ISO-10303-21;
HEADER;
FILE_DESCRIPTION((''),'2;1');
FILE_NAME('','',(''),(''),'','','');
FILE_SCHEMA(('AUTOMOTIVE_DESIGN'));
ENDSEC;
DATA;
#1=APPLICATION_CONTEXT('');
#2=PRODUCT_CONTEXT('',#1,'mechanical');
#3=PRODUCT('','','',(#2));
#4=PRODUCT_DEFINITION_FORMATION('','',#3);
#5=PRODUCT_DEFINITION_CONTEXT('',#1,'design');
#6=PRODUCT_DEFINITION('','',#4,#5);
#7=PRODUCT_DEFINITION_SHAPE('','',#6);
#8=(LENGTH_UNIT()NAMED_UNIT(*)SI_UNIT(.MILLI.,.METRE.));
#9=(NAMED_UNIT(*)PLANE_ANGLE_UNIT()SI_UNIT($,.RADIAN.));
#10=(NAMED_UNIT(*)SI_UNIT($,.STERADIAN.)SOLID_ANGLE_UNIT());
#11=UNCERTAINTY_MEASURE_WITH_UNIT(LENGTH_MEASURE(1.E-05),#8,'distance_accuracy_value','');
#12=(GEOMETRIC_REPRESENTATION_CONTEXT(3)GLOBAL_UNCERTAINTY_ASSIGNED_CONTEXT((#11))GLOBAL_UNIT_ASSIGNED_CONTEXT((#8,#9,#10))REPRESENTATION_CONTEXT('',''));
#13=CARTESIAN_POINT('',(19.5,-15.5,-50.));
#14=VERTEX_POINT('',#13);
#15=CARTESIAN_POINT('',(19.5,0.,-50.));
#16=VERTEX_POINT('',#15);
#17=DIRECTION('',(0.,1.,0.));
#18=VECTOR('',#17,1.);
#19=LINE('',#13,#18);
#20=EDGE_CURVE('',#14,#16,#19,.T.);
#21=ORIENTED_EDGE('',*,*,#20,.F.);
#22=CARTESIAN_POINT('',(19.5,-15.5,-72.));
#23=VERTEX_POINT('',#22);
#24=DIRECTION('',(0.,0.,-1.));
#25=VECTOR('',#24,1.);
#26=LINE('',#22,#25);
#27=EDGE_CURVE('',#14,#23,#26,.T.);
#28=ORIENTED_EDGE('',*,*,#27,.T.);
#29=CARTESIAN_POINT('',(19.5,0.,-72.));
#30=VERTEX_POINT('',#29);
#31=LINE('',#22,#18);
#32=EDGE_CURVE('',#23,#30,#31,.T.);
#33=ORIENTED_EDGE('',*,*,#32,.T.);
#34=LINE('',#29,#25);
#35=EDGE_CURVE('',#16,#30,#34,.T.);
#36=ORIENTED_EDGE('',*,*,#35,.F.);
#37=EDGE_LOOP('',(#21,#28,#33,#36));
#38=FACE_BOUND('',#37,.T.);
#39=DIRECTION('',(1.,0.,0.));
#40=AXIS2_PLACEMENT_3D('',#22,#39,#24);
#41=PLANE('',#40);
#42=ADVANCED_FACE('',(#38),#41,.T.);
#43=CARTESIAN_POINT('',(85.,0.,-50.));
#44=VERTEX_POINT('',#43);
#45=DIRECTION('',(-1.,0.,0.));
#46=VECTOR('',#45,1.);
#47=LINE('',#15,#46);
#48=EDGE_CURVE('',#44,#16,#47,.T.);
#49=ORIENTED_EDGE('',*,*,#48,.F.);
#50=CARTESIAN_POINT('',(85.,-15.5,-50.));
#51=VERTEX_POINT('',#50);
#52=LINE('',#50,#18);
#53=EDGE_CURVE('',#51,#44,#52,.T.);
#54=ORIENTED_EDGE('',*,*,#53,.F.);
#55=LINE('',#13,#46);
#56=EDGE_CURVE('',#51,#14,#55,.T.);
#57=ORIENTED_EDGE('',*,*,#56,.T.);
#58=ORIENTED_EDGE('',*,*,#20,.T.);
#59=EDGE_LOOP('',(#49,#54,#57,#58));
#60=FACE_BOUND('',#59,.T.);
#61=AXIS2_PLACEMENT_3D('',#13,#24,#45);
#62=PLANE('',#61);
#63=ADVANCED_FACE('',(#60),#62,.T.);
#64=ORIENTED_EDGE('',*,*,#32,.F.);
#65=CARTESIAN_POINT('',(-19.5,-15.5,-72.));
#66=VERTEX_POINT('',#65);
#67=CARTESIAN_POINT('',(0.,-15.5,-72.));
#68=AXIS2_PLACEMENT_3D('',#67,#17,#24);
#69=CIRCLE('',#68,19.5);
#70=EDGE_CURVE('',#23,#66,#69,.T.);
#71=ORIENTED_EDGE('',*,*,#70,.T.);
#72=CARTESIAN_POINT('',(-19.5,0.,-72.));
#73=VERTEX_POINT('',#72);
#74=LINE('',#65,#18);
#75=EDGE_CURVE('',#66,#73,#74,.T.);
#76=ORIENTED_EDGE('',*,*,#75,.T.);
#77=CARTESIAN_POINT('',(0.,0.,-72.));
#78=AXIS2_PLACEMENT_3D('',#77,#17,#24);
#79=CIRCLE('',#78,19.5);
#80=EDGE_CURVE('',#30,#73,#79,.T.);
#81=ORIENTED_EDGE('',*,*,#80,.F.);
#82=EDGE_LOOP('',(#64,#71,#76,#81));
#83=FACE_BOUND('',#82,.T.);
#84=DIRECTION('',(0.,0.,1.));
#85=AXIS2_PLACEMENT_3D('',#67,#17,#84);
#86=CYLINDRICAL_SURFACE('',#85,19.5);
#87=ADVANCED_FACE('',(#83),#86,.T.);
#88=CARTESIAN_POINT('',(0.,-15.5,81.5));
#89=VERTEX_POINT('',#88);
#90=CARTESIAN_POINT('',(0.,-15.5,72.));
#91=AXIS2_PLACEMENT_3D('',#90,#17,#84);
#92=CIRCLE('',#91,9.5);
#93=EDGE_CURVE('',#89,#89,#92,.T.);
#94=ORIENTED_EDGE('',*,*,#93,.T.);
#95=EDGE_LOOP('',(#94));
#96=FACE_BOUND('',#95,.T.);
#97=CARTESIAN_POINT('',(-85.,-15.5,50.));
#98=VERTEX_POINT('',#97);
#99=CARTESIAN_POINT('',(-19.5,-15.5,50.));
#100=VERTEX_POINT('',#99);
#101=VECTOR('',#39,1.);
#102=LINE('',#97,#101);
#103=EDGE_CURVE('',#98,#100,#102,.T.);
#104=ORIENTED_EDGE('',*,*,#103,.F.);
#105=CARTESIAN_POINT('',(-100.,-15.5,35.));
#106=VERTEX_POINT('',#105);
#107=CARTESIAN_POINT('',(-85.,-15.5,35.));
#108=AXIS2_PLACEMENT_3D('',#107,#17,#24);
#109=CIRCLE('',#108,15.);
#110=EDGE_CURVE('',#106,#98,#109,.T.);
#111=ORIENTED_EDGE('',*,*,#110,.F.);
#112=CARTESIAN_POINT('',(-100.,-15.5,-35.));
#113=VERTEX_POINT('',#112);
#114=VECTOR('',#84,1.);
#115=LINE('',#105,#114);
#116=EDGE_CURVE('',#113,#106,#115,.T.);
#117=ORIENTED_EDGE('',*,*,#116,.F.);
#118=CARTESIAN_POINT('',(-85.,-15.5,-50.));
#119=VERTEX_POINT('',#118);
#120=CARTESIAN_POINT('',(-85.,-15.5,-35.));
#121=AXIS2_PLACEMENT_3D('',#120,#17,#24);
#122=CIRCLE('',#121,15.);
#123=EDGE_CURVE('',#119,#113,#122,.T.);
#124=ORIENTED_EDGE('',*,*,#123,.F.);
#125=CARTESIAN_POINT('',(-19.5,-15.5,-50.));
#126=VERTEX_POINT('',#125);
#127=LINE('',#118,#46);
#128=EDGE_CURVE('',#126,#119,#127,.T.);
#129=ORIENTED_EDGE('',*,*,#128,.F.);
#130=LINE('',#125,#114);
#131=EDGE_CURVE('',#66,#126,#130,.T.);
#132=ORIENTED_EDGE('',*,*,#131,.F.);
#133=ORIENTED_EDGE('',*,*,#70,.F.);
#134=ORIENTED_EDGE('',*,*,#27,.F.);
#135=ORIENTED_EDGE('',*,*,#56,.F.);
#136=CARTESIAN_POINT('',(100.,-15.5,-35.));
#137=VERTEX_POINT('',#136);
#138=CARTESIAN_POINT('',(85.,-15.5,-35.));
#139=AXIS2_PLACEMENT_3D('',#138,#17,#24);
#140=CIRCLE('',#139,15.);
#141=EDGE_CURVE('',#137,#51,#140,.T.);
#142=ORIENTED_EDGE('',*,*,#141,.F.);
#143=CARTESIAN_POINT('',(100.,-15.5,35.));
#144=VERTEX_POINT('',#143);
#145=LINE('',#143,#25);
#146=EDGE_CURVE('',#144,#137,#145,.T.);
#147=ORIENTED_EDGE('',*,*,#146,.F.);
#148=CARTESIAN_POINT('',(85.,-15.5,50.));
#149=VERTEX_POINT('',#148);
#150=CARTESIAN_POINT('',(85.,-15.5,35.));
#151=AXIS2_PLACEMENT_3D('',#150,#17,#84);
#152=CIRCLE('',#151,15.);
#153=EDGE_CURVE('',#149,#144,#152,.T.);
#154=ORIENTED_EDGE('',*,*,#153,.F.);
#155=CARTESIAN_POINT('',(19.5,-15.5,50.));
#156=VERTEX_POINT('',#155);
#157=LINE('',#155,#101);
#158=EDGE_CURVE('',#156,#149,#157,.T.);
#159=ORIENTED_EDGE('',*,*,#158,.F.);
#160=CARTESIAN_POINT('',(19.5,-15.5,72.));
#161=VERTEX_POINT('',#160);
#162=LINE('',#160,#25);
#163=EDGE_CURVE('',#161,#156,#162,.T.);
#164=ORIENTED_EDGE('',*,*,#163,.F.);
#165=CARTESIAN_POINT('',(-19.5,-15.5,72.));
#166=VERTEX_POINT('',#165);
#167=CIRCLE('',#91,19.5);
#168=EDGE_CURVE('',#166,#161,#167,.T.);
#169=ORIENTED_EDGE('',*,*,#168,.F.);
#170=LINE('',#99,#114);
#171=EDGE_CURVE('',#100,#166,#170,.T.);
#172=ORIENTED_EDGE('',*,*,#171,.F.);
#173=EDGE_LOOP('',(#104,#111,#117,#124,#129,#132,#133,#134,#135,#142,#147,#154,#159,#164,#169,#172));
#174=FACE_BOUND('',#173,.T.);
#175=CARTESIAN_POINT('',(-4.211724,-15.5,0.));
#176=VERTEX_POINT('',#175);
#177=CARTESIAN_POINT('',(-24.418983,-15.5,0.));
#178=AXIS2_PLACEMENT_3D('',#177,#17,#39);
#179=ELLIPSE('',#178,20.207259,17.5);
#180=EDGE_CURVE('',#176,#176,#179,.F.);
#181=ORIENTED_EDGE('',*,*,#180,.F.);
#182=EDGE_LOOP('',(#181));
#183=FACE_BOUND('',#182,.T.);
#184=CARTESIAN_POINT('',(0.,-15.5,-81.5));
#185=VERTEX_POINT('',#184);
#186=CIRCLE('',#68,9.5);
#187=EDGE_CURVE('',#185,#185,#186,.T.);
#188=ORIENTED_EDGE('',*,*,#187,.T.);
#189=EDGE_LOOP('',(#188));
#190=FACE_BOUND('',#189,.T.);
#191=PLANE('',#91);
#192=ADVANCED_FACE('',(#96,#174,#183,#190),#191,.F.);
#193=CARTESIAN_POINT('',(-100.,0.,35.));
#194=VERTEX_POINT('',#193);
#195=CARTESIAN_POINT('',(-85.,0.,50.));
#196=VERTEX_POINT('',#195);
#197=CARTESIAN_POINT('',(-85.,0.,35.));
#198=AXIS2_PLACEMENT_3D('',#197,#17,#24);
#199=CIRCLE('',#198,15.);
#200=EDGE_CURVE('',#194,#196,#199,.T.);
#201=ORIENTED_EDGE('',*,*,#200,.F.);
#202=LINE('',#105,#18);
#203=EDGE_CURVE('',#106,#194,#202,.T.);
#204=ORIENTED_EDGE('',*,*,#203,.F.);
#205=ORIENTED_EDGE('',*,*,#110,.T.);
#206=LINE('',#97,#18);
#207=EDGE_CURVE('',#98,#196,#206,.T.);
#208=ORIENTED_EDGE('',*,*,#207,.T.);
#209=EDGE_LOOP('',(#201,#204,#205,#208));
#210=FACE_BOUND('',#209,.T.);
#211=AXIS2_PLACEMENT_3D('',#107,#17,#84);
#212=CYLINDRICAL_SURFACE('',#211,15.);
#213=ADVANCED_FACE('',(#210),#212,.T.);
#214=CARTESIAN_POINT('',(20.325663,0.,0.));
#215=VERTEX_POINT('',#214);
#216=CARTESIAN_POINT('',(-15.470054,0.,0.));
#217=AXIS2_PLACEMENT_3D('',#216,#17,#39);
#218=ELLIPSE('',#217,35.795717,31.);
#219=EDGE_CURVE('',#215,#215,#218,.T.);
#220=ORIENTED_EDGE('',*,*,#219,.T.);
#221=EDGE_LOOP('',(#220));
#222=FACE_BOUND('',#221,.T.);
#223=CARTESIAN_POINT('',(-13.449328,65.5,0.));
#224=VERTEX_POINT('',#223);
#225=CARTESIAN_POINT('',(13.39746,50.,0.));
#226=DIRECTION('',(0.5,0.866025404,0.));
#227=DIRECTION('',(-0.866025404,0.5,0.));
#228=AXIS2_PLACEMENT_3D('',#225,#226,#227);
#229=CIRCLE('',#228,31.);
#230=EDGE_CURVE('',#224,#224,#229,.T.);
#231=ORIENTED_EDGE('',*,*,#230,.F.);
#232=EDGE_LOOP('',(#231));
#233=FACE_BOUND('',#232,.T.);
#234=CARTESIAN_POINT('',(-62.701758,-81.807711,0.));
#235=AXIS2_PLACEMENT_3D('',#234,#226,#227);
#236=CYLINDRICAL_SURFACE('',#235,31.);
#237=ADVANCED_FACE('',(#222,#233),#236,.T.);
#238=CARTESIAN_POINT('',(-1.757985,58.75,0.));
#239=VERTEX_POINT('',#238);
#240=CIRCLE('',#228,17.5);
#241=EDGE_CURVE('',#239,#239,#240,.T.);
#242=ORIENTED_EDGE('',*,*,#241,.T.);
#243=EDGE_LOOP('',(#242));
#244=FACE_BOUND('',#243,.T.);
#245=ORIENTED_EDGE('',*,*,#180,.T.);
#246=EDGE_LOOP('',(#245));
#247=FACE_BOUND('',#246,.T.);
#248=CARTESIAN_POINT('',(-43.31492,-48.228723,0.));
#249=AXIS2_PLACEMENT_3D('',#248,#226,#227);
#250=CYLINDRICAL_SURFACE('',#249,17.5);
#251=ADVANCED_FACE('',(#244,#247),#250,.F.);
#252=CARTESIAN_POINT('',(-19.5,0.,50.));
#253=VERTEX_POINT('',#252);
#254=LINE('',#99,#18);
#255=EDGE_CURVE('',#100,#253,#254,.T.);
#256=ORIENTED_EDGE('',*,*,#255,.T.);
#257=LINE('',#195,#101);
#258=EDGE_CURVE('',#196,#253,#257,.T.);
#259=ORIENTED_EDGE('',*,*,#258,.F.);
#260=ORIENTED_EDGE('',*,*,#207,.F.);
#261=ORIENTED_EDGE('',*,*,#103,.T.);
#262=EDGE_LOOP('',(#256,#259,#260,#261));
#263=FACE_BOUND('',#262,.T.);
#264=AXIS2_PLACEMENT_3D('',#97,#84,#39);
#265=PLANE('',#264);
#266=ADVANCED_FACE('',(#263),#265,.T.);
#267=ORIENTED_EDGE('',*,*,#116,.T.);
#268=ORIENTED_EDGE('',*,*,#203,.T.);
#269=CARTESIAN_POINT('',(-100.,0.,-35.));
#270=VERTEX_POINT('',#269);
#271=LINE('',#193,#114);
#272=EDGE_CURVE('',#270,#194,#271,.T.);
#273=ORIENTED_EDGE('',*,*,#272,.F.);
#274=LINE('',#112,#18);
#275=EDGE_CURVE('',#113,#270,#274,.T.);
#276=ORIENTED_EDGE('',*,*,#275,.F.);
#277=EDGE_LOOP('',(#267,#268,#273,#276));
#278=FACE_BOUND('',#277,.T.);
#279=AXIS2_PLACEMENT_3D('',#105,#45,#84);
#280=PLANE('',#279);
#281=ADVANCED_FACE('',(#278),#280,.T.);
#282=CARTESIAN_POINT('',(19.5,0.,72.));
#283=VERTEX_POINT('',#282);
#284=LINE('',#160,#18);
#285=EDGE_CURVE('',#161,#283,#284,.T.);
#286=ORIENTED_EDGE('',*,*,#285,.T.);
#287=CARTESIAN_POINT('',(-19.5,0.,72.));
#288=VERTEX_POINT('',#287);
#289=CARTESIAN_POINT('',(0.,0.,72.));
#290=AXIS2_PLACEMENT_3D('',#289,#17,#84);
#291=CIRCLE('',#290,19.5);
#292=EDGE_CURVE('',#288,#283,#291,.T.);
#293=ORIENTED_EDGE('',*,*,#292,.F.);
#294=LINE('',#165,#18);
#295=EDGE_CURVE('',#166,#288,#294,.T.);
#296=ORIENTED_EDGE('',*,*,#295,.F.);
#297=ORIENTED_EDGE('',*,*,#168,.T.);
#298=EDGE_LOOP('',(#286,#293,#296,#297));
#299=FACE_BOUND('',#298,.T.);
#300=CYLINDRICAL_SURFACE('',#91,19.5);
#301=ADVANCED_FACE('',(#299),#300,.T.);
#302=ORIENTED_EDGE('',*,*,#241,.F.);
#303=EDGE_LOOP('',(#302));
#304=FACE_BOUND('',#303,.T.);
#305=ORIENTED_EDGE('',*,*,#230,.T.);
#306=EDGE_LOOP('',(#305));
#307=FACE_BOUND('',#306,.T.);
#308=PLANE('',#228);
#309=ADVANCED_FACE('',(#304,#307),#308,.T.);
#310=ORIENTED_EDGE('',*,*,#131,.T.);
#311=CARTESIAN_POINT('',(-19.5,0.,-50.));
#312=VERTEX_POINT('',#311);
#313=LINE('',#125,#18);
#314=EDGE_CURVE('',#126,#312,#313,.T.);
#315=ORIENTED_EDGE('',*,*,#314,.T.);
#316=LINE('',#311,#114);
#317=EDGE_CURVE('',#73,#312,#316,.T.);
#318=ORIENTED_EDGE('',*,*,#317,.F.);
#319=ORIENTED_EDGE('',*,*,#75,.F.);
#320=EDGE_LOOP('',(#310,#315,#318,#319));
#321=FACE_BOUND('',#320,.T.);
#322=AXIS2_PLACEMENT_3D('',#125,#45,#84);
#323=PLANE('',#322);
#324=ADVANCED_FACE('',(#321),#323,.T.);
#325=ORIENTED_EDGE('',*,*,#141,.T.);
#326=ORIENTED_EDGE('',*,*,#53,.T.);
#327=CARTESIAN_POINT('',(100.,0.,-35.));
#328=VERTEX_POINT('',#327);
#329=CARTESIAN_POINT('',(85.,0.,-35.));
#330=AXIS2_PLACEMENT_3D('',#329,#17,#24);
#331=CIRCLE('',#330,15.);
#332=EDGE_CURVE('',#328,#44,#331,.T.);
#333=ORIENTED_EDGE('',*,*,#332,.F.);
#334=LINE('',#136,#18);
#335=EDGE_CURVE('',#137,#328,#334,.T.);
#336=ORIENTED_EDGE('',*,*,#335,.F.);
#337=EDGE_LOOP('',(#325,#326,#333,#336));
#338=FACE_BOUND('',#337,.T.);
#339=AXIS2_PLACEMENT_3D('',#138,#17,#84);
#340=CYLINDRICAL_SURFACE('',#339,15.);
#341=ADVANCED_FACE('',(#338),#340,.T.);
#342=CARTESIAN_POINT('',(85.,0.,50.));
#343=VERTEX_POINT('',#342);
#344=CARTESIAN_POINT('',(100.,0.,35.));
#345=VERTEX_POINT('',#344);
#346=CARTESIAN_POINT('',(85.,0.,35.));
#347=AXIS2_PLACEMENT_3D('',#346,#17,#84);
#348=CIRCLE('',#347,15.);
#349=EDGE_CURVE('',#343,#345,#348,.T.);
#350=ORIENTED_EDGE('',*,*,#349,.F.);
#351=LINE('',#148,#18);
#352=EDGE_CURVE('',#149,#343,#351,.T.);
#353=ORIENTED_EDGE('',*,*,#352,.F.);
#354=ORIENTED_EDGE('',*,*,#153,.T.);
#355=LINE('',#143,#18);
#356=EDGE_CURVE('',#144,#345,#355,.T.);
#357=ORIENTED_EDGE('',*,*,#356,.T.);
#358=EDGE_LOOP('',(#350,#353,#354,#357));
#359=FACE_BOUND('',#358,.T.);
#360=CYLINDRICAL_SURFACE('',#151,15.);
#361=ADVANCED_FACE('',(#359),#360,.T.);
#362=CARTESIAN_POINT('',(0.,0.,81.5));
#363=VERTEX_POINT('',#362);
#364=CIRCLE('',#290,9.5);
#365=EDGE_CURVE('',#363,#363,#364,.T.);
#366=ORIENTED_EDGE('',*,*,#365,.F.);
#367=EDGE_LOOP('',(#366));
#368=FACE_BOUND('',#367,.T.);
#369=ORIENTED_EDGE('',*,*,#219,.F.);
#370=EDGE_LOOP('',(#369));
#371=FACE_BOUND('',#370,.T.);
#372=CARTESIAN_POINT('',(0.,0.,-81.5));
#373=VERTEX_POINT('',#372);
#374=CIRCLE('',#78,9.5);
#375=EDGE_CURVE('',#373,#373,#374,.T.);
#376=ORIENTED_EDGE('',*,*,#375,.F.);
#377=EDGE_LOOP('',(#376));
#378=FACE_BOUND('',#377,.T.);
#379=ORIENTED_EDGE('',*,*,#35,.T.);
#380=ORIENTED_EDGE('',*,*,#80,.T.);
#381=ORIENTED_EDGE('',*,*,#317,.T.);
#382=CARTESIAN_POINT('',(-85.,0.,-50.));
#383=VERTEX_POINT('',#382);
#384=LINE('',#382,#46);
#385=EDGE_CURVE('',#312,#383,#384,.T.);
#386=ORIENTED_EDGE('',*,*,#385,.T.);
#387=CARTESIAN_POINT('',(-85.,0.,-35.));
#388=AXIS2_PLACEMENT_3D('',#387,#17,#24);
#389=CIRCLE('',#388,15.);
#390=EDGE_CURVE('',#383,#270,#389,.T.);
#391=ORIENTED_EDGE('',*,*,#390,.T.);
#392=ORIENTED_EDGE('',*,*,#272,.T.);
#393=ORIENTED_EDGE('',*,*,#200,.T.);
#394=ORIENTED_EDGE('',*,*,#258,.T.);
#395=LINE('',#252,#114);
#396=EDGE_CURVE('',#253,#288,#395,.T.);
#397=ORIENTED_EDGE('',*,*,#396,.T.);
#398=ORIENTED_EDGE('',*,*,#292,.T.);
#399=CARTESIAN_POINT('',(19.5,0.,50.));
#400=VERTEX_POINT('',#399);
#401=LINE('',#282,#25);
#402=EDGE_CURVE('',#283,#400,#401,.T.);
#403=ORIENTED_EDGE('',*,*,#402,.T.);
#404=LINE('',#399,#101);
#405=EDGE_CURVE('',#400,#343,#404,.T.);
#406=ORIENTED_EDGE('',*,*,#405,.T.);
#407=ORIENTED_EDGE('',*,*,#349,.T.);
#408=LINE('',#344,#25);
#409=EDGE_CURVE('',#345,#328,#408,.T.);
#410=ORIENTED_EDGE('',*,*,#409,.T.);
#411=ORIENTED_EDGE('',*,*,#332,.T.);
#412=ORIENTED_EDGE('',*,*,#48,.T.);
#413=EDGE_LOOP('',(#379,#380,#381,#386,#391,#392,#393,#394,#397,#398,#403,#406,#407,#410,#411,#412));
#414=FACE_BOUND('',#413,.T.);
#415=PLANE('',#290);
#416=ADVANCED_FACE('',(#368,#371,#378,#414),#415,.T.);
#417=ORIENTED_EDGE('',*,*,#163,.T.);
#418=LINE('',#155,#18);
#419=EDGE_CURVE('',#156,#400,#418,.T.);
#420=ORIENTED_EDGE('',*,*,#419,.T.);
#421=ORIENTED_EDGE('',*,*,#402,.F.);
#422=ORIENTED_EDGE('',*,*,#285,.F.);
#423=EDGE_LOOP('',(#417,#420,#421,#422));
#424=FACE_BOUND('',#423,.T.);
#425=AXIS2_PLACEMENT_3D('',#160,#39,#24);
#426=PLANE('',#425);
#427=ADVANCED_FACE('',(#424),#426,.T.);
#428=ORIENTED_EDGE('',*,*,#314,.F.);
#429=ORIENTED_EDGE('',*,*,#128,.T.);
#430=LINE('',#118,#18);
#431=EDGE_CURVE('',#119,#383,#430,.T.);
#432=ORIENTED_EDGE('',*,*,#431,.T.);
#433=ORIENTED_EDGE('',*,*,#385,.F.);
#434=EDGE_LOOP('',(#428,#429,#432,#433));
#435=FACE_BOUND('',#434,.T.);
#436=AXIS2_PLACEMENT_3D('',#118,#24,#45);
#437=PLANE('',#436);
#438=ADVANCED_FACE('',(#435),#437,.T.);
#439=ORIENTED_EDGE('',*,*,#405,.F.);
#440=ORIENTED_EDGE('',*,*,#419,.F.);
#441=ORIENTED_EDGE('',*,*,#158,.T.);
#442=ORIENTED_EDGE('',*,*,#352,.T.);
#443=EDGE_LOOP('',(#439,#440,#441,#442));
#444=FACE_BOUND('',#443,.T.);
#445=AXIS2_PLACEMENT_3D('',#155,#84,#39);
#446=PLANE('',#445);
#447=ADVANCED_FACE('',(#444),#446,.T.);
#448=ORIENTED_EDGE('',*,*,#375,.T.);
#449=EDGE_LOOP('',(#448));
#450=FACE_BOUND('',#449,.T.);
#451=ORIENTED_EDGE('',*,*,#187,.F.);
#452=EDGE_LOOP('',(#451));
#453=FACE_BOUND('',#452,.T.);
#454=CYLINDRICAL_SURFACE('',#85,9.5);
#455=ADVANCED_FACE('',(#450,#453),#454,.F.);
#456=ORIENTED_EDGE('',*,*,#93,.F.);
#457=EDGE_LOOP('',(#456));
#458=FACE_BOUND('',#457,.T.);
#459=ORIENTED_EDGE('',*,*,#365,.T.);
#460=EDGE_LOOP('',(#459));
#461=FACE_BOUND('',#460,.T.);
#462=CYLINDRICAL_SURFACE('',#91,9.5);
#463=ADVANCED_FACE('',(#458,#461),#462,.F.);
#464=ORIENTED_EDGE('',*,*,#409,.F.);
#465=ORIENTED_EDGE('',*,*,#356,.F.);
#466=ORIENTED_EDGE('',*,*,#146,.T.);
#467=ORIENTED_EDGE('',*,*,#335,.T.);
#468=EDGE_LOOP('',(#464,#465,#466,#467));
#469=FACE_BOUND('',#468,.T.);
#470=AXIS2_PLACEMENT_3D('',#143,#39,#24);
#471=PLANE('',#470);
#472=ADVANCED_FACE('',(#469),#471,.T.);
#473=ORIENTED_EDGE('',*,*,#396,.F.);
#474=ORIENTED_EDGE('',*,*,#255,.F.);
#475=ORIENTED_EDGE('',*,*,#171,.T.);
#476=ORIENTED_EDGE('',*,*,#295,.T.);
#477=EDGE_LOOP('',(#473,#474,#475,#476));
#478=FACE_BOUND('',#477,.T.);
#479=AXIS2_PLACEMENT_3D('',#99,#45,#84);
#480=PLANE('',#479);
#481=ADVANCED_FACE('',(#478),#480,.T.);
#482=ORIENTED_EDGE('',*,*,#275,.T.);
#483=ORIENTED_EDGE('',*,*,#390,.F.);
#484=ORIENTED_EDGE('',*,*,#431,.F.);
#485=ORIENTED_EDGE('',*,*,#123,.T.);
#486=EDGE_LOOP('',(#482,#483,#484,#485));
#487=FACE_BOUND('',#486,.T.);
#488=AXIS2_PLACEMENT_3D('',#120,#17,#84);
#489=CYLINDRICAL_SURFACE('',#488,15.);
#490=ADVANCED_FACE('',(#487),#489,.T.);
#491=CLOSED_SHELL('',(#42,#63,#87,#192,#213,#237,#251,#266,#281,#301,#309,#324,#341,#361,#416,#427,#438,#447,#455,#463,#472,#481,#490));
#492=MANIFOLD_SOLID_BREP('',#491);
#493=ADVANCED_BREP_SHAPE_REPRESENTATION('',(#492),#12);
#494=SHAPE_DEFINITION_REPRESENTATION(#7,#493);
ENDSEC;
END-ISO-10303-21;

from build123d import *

# Parameters (mm, degrees)
SKETCH1_R           = 9.5
BOSS_EXTRUDE1_DEPTH = 15.5
BOSS_EXTRUDE2_REACH = 167.695
SKETCH2_R           = 31
CUT_EXTRUDE1_REACH  = 167.695
SKETCH3_R           = 17.5


with BuildPart() as part:
    # Sketch1 → Boss-Extrude1 (new body)
    with BuildSketch(Plane(origin=(0, 0, 0), x_dir=(1, 0, 0), z_dir=(0, 1, 0))):
        with BuildLine():
            Line((-85, -50), (-19.5, -50))
            Line((-19.5, -50), (-19.5, -72))
            ThreePointArc((-19.5, -72), (0, -91.5), (19.5, -72))
            Line((19.5, -72), (19.5, -50))
            Line((19.5, -50), (85, -50))
            ThreePointArc((85, -50), (95.606601718, -45.606601718), (100, -35))
            Line((100, -35), (100, 35))
            ThreePointArc((100, 35), (95.606601718, 45.606601718), (85, 50))
            Line((85, 50), (19.5, 50))
            Line((19.5, 50), (19.5, 72))
            ThreePointArc((19.5, 72), (0, 91.5), (-19.5, 72))
            Line((-19.5, 72), (-19.5, 50))
            Line((-19.5, 50), (-85, 50))
            ThreePointArc((-85, 50), (-95.606601718, 45.606601718), (-100, 35))
            Line((-100, 35), (-100, -35))
            ThreePointArc((-100, -35), (-95.606601718, -45.606601718), (-85, -50))
        make_face()
        with Locations(Location((0, -72, 0), (0, 0, 270))):
            Circle(SKETCH1_R, mode=Mode.SUBTRACT)
        with Locations(Location((0, 72, 0), (0, 0, 90))):
            Circle(SKETCH1_R, mode=Mode.SUBTRACT)
    extrude(amount=-BOSS_EXTRUDE1_DEPTH)

    # Boss-Extrude2: up to this plane
    boss_extrude2_end = Plane(origin=(0, 0, 72), z_dir=(0, 1, 0))
    # Sketch2 → Boss-Extrude2 (add, up to the surface)
    with BuildSketch(Plane(origin=(25, 43.301270189, 0), x_dir=(0, 0, -1), z_dir=(0.500000000000001, 0.866025403784438, 0)), mode=Mode.PRIVATE) as boss_extrude2_sk1:
        with Locations(Location((0, 13.397459622, 0), (0, 0, 90))):
            Circle(SKETCH2_R)
    boss_extrude2_tool1 = split(extrude(boss_extrude2_sk1.sketch, amount=-BOSS_EXTRUDE2_REACH, mode=Mode.PRIVATE), bisect_by=boss_extrude2_end, keep=Keep.BOTH, mode=Mode.PRIVATE)
    add(boss_extrude2_tool1.solids().sort_by_distance((13.39746, 50, 0))[0])

    # Cut-Extrude1: up to this plane
    cut_extrude1_end = Plane(origin=(0, -15.5, 72), z_dir=(0, 1, 0))
    # Sketch3 → Cut-Extrude1 (cut, up to the surface)
    with BuildSketch(Plane(origin=(25, 43.301270189, 0), x_dir=(0.8660254037844382, -0.500000000000001, 0), z_dir=(0.500000000000001, 0.8660254037844382, 0)), mode=Mode.PRIVATE) as cut_extrude1_sk1:
        with Locations(Location((-13.397459622, 0, 0), (0, 0, 180))):
            Circle(SKETCH3_R)
    cut_extrude1_tool1 = split(extrude(cut_extrude1_sk1.sketch, amount=-CUT_EXTRUDE1_REACH, mode=Mode.PRIVATE), bisect_by=cut_extrude1_end, keep=Keep.BOTH, mode=Mode.PRIVATE)
    add(cut_extrude1_tool1.solids().sort_by_distance((13.39746, 50, 0))[0], mode=Mode.SUBTRACT)


solid = part.part
